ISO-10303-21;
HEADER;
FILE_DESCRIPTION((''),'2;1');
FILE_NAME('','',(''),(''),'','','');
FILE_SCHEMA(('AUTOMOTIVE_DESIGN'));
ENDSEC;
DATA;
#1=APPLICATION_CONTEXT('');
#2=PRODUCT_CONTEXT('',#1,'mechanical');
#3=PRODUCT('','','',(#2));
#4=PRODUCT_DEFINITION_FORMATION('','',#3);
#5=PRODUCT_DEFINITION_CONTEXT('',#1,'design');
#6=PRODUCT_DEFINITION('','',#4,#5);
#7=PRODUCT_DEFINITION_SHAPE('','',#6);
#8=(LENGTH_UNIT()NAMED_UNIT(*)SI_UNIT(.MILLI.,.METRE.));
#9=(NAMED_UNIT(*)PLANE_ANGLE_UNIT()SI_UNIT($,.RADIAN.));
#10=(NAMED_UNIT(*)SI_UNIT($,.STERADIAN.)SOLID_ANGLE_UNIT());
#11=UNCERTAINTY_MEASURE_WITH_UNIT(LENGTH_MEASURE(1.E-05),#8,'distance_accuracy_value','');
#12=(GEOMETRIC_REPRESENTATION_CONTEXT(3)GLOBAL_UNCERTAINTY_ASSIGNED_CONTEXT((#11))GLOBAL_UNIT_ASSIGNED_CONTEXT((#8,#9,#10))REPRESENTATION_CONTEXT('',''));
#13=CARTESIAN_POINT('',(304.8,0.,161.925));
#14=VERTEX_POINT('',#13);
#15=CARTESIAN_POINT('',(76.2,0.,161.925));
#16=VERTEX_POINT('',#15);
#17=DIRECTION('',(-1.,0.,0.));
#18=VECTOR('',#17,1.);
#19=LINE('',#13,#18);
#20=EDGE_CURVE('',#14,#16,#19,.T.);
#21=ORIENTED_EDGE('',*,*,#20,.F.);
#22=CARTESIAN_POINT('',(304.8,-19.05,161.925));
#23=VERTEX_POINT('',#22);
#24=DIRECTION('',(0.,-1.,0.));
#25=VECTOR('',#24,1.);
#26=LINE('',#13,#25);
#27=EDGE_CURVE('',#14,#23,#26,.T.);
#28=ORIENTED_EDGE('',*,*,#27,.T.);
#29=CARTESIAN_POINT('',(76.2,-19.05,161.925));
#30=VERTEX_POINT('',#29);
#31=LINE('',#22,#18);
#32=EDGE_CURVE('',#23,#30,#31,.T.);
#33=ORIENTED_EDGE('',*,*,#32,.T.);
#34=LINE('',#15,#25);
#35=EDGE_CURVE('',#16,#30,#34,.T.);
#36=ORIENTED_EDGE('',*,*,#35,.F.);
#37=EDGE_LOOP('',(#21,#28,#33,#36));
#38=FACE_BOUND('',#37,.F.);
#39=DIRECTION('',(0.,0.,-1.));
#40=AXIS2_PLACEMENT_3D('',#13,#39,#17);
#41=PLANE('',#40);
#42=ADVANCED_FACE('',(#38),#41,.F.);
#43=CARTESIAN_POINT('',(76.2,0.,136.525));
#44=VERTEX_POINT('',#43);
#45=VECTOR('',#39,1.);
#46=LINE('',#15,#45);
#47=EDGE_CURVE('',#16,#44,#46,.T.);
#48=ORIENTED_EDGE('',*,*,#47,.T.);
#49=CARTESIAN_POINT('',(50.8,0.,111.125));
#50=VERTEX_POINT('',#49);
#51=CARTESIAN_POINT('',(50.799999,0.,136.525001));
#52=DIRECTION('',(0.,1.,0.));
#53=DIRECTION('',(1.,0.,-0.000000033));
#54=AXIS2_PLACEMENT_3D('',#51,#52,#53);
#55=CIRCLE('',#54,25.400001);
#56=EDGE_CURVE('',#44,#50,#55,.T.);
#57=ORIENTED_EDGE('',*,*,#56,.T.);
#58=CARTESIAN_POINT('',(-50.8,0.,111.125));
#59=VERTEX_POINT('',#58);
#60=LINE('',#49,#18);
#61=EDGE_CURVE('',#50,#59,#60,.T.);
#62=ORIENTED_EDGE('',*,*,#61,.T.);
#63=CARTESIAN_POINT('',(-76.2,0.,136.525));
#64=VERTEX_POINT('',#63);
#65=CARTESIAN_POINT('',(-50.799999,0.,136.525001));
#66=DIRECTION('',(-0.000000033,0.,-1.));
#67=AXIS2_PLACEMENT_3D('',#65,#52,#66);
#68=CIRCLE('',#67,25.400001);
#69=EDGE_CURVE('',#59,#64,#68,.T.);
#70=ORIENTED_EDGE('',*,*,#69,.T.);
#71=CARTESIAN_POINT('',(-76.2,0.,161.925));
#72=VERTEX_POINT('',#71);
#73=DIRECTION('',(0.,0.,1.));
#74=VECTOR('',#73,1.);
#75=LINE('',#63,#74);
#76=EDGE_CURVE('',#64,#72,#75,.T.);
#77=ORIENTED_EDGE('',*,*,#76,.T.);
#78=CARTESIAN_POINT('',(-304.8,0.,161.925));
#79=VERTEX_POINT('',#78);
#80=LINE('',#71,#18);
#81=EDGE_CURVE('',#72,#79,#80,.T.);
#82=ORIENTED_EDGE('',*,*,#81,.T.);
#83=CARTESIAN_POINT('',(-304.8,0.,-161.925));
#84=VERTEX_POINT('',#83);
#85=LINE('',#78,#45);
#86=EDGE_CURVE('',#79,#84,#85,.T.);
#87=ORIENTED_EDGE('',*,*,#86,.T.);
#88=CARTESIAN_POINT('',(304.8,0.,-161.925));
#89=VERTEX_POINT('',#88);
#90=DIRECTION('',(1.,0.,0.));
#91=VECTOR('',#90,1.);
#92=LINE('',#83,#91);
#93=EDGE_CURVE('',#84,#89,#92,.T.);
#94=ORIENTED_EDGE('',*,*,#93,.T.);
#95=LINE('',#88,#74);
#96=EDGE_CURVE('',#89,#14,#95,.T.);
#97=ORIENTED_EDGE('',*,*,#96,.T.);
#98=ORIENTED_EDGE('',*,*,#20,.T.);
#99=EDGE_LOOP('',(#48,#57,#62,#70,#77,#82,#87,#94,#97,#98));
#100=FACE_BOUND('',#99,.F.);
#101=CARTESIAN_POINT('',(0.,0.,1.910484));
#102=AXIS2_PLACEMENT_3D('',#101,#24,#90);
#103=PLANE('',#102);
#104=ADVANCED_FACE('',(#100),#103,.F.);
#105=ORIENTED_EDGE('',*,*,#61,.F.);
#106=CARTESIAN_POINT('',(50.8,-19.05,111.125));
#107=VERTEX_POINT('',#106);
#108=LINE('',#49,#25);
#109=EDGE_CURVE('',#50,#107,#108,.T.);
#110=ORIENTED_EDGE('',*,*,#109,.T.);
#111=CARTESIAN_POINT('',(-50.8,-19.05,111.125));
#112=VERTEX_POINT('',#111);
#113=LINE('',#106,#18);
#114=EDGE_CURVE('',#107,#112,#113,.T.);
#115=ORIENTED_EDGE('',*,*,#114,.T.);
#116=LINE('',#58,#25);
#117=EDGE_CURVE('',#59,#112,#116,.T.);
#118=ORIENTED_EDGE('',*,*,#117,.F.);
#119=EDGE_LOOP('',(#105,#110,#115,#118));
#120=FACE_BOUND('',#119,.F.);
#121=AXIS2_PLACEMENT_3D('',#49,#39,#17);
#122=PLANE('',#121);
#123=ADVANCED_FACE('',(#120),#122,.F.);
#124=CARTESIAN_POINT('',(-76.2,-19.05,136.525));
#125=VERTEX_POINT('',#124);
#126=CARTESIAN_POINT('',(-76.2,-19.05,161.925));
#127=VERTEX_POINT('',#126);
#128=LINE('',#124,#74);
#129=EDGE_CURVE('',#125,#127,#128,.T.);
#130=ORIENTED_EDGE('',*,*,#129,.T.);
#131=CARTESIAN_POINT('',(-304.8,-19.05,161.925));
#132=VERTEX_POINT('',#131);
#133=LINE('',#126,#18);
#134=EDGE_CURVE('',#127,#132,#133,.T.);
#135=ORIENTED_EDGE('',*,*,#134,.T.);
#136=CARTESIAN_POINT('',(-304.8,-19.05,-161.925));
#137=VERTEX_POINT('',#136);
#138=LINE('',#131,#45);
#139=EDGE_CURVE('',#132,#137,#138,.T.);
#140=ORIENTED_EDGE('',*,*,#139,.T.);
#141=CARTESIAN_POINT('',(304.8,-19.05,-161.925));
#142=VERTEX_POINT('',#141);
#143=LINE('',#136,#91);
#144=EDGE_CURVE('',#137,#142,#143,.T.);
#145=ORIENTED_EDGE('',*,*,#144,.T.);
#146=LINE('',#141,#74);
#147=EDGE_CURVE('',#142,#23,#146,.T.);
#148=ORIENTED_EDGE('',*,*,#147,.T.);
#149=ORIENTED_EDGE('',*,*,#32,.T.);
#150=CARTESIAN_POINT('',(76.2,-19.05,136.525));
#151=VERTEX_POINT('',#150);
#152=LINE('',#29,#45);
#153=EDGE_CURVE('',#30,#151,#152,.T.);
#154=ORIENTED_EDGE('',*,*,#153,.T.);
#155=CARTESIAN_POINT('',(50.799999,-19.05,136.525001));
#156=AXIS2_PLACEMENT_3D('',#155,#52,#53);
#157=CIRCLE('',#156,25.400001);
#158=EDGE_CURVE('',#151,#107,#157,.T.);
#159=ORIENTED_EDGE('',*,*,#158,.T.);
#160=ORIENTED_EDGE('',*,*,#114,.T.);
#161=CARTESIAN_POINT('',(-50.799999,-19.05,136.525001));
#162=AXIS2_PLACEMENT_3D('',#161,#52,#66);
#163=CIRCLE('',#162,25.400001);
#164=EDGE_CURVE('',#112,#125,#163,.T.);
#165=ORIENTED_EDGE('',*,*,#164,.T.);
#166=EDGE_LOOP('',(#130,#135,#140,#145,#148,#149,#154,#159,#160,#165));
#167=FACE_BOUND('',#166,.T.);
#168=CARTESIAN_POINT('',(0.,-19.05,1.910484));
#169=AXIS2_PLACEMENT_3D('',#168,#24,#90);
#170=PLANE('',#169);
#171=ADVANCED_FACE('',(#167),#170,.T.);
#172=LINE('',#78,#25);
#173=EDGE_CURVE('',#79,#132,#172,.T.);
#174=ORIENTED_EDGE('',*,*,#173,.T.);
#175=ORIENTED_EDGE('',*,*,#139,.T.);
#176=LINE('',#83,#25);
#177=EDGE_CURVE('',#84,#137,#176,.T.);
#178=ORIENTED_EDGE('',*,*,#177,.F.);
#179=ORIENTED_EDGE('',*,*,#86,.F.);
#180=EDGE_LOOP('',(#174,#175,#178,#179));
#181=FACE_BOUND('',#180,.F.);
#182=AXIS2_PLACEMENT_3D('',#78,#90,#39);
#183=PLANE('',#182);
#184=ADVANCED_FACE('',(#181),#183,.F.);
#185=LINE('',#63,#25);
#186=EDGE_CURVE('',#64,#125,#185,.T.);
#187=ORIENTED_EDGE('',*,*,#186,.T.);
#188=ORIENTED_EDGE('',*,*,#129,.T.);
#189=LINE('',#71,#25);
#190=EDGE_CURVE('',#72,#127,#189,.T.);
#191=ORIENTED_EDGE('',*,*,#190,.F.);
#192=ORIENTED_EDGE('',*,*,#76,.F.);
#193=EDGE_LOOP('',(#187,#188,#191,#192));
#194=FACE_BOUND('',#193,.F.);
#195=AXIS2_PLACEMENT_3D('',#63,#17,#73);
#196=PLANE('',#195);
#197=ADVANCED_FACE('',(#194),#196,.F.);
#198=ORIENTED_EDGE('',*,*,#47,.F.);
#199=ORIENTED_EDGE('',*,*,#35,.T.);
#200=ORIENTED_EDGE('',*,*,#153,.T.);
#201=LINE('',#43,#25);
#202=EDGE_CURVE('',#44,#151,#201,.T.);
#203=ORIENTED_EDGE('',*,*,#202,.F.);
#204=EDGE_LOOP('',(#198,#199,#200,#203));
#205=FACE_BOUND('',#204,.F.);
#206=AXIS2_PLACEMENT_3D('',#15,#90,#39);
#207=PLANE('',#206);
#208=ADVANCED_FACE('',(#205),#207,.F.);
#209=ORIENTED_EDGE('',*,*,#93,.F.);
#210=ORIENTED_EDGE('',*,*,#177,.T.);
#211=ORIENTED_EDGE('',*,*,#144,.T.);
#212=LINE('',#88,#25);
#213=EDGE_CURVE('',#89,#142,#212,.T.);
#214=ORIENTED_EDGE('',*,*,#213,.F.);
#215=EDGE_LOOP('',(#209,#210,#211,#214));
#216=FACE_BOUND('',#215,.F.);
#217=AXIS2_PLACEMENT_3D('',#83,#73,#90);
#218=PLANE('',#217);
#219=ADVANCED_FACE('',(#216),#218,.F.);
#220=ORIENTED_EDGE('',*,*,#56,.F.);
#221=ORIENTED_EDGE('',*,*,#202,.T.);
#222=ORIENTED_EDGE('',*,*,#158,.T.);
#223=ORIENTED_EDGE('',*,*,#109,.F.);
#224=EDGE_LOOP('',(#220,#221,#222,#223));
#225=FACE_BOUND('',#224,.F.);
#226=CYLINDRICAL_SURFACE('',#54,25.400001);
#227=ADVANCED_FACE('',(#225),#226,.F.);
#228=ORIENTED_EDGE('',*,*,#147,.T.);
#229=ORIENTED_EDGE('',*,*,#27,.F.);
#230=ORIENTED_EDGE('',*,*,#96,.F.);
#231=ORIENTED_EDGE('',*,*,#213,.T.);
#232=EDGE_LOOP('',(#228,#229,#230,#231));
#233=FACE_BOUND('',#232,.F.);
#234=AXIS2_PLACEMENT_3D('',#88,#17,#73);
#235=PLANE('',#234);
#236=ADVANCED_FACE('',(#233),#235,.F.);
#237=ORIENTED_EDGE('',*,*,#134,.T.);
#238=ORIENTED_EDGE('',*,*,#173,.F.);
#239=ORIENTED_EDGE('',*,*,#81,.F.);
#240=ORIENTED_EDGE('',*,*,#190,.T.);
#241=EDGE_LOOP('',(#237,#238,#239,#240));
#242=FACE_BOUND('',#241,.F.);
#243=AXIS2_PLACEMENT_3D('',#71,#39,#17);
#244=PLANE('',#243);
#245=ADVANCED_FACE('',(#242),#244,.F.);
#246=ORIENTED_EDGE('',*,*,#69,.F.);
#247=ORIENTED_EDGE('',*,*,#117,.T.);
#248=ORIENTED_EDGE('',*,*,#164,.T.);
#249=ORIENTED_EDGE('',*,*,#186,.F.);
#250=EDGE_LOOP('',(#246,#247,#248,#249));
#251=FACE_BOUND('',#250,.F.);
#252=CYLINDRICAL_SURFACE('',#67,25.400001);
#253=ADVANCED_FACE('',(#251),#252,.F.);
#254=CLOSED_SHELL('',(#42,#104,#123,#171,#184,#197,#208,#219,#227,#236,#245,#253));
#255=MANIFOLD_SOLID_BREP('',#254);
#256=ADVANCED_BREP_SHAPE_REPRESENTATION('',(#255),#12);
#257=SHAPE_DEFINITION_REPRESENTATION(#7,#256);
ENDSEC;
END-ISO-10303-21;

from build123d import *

# Parameters (mm, degrees)
F1_DEPTH = 19.05


with BuildPart() as f1:
    # F0 (on Front) → F1 (new body)
    with BuildSketch(Plane.XZ):
        with BuildLine():
            Line((-76.2, 161.925), (-304.8, 161.925))
            Line((-304.8, 161.925), (-304.8, -161.925))
            Line((-304.8, -161.925), (304.8, -161.925))
            Line((304.8, -161.925), (304.8, 161.925))
            Line((304.8, 161.925), (76.2, 161.925))
            Line((76.2, 161.925), (76.2, 136.525))
            ThreePointArc((76.2, 136.525), (68.760512, 118.564488), (50.8, 111.125))
            Line((50.8, 111.125), (-50.8, 111.125))
            ThreePointArc((-50.8, 111.125), (-68.760512, 118.564488), (-76.2, 136.525))
            Line((-76.2, 136.525), (-76.2, 161.925))
        make_face()
    extrude(amount=F1_DEPTH)


solid = f1.part
